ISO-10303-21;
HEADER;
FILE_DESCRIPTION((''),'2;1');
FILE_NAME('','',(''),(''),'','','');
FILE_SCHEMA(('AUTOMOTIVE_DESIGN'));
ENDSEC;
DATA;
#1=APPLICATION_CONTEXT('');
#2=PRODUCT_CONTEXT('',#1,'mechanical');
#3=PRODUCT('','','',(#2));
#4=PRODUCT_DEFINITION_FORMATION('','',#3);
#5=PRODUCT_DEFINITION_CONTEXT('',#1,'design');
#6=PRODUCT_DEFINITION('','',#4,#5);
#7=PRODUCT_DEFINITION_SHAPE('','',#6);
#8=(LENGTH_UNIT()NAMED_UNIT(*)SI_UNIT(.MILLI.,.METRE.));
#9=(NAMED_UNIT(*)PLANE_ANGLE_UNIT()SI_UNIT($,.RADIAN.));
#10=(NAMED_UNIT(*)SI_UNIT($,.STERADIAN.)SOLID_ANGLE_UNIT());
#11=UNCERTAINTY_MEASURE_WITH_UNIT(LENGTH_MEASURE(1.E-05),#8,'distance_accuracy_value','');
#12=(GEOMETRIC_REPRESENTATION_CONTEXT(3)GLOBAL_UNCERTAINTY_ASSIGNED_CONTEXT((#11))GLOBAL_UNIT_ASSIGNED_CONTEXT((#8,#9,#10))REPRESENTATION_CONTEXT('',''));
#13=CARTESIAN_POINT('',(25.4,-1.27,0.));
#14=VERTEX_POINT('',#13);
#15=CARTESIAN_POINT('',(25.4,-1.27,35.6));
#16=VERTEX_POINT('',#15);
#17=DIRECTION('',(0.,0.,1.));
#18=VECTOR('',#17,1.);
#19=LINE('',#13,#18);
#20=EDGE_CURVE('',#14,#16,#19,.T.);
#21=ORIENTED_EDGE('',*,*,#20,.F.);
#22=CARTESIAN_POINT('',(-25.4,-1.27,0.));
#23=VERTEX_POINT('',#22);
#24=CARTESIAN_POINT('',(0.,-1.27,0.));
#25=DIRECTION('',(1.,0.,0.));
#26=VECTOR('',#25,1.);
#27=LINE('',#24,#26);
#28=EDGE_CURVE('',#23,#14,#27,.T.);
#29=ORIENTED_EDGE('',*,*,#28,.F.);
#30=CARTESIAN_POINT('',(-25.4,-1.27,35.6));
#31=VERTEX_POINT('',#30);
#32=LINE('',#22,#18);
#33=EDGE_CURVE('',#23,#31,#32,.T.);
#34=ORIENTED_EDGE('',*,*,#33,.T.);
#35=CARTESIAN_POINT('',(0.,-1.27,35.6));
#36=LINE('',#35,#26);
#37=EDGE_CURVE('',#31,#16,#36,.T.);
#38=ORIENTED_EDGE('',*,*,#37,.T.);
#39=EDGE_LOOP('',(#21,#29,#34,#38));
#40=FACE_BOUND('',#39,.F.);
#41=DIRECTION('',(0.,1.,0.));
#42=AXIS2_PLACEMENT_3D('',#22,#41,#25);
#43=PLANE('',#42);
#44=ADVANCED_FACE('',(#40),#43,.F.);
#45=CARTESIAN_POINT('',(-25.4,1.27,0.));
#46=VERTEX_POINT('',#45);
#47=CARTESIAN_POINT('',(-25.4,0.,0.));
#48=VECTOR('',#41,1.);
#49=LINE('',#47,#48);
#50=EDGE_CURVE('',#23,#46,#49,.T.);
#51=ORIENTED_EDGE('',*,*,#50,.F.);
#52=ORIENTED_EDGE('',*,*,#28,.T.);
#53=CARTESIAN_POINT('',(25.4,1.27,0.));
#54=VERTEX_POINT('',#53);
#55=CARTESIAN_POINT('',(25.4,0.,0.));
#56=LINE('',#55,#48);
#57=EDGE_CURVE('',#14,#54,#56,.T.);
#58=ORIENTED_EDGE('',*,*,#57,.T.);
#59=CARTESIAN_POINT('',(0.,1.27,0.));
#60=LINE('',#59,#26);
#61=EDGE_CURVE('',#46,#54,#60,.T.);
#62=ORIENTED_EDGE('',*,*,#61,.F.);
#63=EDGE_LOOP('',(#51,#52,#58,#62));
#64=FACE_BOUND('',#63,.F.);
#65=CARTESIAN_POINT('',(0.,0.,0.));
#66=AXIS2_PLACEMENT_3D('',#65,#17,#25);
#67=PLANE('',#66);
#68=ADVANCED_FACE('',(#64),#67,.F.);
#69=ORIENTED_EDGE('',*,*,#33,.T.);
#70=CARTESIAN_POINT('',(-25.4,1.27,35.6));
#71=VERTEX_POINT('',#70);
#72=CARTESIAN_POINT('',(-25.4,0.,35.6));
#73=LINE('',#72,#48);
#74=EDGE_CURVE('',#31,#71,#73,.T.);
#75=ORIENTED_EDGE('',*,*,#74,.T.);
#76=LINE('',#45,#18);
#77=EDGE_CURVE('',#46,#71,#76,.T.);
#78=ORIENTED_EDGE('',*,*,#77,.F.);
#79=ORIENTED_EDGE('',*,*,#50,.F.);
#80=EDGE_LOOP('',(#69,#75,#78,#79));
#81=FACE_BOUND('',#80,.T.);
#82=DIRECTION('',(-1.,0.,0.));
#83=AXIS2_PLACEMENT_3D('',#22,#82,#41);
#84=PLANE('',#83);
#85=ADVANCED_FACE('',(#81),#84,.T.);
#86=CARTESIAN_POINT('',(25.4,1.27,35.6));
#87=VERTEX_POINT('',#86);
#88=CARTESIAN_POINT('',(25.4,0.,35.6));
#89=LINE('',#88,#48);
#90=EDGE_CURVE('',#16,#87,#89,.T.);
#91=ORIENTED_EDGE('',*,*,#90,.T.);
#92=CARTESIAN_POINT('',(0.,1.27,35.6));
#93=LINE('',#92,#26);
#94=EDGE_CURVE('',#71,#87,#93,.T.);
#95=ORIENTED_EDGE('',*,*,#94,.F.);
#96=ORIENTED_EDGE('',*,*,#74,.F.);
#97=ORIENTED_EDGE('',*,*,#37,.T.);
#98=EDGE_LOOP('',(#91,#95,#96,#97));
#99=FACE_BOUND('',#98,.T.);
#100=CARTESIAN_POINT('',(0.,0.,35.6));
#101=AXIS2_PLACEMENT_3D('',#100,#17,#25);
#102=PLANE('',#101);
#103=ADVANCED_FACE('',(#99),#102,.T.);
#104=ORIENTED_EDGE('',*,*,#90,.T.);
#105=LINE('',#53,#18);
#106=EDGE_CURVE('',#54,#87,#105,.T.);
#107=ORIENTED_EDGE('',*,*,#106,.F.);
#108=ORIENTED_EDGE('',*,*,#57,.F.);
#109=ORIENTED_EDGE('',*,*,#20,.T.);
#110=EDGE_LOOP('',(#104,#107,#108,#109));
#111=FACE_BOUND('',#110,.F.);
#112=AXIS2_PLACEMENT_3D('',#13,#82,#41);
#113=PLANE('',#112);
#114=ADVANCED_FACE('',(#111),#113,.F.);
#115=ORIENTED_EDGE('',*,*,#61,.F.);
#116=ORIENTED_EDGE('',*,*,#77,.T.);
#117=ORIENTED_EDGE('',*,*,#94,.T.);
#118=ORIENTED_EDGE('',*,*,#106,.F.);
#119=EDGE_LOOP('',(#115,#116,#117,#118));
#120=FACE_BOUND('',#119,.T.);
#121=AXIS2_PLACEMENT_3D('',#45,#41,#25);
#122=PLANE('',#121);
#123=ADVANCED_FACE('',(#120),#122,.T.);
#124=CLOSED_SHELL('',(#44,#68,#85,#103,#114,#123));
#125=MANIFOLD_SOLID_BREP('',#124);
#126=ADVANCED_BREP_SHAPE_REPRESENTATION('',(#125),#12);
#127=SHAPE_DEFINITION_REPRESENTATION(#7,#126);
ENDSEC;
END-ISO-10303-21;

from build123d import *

# Parameters (mm, degrees)
SKETCH_W  = 50.8
SKETCH_H  = 2.54
PAD_DEPTH = 35.6


with BuildPart() as part:
    # Sketch → Pad (new body)
    with BuildSketch(Plane.XY):
        Rectangle(SKETCH_W, SKETCH_H)
    extrude(amount=PAD_DEPTH)


solid = part.part
